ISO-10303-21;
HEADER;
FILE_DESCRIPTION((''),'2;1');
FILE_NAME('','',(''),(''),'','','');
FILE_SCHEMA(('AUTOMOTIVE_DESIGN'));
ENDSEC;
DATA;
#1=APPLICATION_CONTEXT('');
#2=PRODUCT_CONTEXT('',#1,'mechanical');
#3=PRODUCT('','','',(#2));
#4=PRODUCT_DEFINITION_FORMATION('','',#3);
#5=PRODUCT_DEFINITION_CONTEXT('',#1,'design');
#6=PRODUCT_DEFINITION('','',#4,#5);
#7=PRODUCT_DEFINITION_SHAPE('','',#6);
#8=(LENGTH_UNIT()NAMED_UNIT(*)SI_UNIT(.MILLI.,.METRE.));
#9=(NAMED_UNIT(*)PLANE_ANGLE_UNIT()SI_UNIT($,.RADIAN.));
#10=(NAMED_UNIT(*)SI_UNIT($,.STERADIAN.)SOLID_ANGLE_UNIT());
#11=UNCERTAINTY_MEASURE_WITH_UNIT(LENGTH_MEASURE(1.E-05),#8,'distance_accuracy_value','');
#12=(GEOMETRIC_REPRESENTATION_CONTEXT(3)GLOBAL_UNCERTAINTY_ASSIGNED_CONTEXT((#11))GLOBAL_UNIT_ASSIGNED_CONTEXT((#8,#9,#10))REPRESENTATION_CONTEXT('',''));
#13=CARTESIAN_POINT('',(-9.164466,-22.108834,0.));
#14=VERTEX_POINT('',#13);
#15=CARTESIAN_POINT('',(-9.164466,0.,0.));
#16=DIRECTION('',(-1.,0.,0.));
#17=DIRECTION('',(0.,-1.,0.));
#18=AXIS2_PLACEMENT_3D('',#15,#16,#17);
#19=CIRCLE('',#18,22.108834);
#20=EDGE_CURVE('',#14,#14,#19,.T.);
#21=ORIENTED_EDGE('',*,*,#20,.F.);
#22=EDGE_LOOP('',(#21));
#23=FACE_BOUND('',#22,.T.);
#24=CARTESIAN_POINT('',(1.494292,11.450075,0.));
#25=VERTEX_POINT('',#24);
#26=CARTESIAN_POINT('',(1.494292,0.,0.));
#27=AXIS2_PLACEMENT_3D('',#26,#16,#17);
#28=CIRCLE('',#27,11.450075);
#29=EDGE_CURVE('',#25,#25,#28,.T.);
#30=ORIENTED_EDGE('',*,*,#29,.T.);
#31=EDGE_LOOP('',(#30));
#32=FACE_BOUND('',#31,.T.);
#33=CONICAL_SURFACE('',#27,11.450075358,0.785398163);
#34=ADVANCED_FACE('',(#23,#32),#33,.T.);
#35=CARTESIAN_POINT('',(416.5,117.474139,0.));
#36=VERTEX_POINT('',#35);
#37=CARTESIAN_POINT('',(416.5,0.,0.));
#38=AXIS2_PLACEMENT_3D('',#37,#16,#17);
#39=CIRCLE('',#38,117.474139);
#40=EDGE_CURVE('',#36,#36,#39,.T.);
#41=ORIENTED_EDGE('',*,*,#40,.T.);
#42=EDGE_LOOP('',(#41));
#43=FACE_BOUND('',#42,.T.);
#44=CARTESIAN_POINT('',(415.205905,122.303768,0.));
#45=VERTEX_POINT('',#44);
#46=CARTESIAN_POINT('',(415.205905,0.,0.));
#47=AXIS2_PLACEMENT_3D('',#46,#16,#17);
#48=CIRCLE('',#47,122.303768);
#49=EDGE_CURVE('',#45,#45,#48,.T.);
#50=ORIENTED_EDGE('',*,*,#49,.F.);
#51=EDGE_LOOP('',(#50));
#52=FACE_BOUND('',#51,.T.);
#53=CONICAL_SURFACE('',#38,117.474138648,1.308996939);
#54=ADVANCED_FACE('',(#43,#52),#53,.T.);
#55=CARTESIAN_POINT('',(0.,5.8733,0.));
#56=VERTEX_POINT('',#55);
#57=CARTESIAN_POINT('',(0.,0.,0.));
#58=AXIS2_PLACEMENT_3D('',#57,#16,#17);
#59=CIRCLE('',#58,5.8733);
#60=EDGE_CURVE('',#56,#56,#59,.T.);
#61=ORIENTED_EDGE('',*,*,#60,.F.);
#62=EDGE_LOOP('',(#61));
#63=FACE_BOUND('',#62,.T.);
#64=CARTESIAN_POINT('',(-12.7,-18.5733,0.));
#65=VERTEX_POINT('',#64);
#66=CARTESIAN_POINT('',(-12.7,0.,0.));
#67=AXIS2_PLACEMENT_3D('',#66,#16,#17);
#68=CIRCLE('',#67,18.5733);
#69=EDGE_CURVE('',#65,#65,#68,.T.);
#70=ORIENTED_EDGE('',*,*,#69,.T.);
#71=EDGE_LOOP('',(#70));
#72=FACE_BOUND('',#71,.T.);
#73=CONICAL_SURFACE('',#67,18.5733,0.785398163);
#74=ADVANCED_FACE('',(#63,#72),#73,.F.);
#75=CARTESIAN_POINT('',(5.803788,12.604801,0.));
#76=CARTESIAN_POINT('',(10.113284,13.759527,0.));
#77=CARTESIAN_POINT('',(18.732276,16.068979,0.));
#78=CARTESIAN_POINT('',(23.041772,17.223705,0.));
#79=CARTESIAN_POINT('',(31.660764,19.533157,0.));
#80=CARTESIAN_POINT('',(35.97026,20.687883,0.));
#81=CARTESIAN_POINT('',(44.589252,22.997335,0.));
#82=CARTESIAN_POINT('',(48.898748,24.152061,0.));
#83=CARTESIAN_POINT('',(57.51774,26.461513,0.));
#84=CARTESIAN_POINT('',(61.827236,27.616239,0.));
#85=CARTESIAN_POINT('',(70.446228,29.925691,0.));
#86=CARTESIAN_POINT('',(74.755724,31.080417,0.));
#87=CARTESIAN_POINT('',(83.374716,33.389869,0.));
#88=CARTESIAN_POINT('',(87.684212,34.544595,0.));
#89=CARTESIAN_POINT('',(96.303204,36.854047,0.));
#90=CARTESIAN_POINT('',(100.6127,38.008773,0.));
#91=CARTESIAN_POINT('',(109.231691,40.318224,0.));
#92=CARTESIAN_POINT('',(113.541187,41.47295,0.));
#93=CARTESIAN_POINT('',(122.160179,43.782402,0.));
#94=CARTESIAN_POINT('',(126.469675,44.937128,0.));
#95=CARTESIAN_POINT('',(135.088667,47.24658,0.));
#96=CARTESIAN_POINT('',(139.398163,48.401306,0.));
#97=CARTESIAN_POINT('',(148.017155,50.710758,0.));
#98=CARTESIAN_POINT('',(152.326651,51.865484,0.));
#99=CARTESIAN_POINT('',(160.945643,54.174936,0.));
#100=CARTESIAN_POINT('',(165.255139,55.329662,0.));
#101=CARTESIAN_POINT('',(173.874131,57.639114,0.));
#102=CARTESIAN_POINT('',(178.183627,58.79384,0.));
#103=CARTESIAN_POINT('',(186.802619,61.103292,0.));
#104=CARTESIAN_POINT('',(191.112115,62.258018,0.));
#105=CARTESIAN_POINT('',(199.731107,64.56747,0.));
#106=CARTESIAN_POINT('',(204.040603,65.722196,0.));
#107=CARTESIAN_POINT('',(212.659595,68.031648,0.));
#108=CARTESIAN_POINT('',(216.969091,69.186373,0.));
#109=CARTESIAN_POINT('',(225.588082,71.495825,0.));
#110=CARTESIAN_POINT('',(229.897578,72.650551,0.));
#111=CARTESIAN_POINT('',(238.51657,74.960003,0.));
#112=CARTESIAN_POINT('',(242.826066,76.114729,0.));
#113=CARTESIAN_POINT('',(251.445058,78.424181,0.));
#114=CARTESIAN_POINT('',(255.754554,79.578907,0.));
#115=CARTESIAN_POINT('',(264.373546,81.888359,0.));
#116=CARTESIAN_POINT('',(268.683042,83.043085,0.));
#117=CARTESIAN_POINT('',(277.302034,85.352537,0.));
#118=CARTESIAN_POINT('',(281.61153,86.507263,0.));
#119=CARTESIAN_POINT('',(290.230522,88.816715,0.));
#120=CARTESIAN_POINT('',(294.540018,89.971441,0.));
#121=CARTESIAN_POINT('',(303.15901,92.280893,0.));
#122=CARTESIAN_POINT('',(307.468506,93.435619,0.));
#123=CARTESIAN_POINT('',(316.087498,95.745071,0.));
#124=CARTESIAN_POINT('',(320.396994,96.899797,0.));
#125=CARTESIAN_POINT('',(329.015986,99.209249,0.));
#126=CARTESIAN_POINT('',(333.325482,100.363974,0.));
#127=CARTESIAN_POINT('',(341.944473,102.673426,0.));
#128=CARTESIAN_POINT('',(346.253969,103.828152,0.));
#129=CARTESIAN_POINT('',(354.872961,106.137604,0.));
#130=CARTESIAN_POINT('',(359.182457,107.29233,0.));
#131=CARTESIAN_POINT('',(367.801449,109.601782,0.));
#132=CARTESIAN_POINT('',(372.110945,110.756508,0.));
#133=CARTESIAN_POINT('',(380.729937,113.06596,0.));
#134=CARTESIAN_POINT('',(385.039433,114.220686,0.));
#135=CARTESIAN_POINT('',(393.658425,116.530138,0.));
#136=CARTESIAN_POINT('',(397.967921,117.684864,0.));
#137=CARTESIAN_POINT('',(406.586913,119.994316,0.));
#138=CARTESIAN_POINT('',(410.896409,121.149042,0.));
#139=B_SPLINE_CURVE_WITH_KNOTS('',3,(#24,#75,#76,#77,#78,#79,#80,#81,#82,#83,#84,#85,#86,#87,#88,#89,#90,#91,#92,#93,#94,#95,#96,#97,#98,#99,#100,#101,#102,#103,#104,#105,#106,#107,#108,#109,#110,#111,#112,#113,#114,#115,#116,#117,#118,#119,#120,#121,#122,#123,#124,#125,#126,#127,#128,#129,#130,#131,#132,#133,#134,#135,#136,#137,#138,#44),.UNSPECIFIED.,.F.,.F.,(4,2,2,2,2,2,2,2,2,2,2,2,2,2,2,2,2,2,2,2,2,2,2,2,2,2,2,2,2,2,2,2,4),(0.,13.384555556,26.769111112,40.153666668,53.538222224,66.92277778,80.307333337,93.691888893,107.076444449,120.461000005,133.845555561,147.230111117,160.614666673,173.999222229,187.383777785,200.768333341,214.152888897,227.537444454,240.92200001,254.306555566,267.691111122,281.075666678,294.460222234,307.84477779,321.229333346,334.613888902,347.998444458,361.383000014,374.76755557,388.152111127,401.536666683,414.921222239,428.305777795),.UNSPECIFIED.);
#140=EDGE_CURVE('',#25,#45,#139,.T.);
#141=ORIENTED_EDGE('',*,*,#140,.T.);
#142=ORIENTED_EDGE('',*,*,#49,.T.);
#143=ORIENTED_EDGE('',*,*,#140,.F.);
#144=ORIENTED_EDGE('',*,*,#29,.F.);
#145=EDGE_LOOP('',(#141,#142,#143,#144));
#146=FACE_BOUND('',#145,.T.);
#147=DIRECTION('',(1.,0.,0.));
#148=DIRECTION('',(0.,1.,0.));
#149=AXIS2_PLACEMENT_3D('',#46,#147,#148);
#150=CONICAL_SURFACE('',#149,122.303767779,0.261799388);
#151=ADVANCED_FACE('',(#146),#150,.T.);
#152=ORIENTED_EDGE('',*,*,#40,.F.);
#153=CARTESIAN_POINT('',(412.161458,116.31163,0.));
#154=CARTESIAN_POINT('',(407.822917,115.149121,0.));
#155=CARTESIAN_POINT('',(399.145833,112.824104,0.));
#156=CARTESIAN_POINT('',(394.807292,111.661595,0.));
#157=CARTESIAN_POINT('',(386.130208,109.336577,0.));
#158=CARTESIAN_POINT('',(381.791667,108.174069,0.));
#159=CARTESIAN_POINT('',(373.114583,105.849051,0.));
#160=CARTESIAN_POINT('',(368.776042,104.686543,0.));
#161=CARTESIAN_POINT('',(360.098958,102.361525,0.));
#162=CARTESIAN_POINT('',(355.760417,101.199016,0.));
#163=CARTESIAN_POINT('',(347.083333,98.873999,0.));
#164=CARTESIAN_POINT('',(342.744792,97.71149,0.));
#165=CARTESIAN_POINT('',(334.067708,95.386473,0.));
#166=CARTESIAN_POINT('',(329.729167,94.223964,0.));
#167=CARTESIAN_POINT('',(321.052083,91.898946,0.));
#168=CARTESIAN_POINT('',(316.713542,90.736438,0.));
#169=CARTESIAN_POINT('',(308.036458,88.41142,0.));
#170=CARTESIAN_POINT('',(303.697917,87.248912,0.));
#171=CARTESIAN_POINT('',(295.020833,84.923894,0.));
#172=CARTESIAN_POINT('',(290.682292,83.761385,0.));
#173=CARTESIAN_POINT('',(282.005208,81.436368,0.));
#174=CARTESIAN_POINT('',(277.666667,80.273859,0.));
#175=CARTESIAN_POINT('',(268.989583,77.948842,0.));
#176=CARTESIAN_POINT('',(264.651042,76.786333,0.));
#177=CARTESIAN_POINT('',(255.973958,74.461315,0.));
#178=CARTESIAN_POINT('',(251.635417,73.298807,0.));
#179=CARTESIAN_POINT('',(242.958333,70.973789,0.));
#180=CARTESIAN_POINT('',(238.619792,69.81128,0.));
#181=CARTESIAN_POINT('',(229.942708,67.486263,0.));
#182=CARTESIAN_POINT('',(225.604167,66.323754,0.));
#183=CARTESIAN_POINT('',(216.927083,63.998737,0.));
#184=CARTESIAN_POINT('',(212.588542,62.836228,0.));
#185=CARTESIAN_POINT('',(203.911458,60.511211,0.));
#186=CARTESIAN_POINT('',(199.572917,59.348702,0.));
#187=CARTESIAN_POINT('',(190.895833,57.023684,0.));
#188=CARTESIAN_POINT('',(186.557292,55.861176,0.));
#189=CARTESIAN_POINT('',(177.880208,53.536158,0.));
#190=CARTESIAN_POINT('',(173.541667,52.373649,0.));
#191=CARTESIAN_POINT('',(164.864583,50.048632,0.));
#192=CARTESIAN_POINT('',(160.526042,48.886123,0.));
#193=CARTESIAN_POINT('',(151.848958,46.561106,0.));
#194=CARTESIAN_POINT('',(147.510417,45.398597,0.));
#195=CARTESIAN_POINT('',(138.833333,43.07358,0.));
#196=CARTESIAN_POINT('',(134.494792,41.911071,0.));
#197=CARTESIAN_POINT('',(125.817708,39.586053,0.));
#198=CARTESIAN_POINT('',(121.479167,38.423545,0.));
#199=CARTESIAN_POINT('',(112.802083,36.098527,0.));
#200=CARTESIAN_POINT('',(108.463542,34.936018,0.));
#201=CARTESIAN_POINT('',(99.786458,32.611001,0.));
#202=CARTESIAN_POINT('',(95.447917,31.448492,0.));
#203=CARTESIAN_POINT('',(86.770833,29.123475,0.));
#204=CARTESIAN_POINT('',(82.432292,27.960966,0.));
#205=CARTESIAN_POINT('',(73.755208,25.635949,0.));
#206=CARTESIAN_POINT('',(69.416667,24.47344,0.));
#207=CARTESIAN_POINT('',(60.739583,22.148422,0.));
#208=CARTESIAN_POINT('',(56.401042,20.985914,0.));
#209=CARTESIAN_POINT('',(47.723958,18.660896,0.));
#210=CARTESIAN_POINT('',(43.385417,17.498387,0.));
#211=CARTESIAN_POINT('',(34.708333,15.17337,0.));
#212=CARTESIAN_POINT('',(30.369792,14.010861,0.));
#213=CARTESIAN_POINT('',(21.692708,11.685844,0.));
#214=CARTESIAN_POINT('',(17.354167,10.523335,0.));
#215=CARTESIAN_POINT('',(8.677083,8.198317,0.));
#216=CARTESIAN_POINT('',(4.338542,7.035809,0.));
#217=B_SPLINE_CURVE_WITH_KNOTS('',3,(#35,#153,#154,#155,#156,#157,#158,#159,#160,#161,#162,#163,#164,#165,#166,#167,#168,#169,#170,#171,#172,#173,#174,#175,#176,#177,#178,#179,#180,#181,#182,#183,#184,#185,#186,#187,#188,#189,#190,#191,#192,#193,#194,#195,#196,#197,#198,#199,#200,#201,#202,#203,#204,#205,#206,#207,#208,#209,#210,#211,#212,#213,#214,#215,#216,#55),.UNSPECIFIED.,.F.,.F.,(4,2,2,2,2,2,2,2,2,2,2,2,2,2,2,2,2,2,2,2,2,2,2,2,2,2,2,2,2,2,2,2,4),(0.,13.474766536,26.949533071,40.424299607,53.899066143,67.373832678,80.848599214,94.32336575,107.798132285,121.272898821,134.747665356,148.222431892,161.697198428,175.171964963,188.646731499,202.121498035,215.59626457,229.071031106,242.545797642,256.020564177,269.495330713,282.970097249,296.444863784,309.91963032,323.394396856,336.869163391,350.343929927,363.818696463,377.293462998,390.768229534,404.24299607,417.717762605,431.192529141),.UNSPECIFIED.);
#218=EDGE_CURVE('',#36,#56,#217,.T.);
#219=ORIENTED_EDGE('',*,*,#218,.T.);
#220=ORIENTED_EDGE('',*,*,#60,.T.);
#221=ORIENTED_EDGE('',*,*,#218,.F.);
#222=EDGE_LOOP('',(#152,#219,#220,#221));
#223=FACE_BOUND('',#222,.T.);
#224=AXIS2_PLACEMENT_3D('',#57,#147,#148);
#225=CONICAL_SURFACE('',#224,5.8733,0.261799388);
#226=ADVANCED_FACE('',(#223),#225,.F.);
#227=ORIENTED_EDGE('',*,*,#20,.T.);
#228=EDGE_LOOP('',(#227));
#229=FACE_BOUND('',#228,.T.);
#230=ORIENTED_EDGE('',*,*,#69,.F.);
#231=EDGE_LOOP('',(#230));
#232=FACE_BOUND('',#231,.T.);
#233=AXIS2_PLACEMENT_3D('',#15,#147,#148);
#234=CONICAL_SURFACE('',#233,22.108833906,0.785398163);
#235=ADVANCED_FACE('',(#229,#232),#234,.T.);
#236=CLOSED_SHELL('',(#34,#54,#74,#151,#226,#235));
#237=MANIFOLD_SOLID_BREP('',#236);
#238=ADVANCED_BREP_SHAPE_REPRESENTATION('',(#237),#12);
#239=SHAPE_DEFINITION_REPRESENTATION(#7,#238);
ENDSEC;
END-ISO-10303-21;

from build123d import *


with BuildPart() as part:
    # Schizzo1 → Rivoluzione1 (revolve)
    with BuildSketch(Plane.XY, mode=Mode.PRIVATE) as rivoluzione1_sk:
        Polygon((-12.7, 18.5733), (0, 5.8733), (416.5, 117.474138648), (415.205904774, 122.303767779), (1.494292454, 11.450075358), (-9.164466094, 22.108833906), align=None)
    revolve(rivoluzione1_sk.sketch.rotate(Axis((-119.967242997, 0, 0), (1, 0, 0)), 180), axis=Axis((-119.967242997, 0, 0), (1, 0, 0)))


solid = part.part
